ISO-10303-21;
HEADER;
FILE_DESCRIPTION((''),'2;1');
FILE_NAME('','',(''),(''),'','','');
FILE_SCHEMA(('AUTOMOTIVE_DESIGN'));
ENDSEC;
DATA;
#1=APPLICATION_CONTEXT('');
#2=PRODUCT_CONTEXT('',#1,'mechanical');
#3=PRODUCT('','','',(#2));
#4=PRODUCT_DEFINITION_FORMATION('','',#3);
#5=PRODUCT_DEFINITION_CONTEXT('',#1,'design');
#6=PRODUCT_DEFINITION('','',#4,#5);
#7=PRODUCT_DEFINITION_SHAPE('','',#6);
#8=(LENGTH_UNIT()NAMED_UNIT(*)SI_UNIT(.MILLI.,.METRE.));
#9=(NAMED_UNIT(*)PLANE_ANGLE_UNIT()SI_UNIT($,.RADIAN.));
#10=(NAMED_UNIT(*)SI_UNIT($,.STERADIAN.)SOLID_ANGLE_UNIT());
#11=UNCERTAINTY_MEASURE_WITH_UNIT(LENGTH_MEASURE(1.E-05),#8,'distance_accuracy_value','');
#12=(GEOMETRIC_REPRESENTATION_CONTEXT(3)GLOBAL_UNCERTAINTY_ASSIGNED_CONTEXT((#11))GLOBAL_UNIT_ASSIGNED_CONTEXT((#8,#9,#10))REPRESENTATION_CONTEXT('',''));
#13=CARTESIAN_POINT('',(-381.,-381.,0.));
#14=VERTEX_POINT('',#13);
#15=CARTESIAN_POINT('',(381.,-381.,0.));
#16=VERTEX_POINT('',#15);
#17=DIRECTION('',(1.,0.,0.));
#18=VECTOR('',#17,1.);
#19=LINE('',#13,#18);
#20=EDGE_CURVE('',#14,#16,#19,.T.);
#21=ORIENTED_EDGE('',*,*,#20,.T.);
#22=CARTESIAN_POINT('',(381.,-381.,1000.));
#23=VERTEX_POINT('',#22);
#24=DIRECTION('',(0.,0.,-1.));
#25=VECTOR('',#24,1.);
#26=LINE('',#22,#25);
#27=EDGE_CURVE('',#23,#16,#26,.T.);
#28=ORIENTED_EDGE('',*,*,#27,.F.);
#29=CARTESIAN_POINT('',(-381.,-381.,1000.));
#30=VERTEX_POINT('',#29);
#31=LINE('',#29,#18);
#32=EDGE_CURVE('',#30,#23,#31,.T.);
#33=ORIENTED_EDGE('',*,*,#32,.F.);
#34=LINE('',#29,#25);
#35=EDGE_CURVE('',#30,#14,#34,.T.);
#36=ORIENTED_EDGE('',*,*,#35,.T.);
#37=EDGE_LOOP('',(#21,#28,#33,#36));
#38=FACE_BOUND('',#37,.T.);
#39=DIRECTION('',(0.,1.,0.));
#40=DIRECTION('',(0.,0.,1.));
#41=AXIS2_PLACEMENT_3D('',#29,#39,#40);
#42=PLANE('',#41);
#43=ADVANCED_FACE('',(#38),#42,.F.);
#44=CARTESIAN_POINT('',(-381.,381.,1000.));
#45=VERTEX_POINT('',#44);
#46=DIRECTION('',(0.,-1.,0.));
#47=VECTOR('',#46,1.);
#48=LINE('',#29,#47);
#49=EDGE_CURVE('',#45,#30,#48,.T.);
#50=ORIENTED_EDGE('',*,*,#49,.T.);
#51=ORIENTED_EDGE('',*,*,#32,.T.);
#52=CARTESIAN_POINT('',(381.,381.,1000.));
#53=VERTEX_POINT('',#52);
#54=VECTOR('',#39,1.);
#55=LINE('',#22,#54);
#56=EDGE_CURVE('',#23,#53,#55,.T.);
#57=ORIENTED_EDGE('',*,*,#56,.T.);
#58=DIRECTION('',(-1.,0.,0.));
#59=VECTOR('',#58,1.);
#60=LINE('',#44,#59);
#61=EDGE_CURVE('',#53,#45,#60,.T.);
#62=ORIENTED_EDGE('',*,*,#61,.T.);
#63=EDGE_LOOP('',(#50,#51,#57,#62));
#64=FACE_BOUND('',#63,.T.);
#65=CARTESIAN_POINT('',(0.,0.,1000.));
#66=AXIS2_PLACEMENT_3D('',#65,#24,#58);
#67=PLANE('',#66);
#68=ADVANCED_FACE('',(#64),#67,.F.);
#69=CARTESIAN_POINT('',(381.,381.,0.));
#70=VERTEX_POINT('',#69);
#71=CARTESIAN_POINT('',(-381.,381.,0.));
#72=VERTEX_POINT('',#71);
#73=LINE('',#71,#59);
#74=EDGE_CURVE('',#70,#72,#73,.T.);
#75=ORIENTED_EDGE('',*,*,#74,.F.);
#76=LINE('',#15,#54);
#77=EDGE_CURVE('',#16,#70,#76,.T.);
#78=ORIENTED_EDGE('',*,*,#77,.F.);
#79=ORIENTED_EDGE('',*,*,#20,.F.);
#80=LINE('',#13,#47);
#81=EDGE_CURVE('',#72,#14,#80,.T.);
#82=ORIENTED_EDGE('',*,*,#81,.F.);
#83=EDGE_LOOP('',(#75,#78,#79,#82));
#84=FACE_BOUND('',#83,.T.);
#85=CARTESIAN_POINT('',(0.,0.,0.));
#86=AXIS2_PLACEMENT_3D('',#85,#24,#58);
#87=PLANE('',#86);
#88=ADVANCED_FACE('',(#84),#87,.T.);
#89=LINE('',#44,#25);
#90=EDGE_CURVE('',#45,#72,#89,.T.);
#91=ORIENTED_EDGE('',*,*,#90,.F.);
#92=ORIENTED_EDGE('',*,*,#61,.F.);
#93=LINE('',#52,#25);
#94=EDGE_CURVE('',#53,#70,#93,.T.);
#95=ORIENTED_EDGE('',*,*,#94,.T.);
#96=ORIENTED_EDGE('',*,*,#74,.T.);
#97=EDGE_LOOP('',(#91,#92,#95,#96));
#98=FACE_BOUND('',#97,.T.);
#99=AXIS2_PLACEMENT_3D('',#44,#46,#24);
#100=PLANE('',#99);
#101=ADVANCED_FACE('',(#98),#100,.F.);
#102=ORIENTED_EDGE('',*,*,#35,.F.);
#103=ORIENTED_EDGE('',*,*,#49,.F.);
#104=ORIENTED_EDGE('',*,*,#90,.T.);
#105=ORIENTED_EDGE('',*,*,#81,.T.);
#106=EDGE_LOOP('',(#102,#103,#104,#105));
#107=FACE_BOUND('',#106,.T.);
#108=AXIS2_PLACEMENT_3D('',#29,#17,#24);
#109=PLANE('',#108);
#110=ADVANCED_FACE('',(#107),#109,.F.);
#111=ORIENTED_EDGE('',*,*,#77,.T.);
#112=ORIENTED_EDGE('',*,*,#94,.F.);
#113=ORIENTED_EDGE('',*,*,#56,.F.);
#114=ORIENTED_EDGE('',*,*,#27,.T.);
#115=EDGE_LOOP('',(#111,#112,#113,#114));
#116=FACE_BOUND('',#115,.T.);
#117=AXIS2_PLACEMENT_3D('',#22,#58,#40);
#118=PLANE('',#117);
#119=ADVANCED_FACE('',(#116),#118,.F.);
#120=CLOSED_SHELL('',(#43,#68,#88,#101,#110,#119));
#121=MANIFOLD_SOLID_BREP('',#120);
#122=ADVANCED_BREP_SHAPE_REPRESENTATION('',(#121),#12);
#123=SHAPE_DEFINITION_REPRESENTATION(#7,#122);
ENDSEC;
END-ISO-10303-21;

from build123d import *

# Parameters (mm, degrees)
SKETCH1_W           = 762
SKETCH1_H           = 762
BOSS_EXTRUDE1_DEPTH = 1000


with BuildPart() as part:
    # Sketch1 → Boss-Extrude1 (new body)
    with BuildSketch(Plane.XY):
        Rectangle(SKETCH1_W, SKETCH1_H)
    extrude(amount=BOSS_EXTRUDE1_DEPTH)


solid = part.part
